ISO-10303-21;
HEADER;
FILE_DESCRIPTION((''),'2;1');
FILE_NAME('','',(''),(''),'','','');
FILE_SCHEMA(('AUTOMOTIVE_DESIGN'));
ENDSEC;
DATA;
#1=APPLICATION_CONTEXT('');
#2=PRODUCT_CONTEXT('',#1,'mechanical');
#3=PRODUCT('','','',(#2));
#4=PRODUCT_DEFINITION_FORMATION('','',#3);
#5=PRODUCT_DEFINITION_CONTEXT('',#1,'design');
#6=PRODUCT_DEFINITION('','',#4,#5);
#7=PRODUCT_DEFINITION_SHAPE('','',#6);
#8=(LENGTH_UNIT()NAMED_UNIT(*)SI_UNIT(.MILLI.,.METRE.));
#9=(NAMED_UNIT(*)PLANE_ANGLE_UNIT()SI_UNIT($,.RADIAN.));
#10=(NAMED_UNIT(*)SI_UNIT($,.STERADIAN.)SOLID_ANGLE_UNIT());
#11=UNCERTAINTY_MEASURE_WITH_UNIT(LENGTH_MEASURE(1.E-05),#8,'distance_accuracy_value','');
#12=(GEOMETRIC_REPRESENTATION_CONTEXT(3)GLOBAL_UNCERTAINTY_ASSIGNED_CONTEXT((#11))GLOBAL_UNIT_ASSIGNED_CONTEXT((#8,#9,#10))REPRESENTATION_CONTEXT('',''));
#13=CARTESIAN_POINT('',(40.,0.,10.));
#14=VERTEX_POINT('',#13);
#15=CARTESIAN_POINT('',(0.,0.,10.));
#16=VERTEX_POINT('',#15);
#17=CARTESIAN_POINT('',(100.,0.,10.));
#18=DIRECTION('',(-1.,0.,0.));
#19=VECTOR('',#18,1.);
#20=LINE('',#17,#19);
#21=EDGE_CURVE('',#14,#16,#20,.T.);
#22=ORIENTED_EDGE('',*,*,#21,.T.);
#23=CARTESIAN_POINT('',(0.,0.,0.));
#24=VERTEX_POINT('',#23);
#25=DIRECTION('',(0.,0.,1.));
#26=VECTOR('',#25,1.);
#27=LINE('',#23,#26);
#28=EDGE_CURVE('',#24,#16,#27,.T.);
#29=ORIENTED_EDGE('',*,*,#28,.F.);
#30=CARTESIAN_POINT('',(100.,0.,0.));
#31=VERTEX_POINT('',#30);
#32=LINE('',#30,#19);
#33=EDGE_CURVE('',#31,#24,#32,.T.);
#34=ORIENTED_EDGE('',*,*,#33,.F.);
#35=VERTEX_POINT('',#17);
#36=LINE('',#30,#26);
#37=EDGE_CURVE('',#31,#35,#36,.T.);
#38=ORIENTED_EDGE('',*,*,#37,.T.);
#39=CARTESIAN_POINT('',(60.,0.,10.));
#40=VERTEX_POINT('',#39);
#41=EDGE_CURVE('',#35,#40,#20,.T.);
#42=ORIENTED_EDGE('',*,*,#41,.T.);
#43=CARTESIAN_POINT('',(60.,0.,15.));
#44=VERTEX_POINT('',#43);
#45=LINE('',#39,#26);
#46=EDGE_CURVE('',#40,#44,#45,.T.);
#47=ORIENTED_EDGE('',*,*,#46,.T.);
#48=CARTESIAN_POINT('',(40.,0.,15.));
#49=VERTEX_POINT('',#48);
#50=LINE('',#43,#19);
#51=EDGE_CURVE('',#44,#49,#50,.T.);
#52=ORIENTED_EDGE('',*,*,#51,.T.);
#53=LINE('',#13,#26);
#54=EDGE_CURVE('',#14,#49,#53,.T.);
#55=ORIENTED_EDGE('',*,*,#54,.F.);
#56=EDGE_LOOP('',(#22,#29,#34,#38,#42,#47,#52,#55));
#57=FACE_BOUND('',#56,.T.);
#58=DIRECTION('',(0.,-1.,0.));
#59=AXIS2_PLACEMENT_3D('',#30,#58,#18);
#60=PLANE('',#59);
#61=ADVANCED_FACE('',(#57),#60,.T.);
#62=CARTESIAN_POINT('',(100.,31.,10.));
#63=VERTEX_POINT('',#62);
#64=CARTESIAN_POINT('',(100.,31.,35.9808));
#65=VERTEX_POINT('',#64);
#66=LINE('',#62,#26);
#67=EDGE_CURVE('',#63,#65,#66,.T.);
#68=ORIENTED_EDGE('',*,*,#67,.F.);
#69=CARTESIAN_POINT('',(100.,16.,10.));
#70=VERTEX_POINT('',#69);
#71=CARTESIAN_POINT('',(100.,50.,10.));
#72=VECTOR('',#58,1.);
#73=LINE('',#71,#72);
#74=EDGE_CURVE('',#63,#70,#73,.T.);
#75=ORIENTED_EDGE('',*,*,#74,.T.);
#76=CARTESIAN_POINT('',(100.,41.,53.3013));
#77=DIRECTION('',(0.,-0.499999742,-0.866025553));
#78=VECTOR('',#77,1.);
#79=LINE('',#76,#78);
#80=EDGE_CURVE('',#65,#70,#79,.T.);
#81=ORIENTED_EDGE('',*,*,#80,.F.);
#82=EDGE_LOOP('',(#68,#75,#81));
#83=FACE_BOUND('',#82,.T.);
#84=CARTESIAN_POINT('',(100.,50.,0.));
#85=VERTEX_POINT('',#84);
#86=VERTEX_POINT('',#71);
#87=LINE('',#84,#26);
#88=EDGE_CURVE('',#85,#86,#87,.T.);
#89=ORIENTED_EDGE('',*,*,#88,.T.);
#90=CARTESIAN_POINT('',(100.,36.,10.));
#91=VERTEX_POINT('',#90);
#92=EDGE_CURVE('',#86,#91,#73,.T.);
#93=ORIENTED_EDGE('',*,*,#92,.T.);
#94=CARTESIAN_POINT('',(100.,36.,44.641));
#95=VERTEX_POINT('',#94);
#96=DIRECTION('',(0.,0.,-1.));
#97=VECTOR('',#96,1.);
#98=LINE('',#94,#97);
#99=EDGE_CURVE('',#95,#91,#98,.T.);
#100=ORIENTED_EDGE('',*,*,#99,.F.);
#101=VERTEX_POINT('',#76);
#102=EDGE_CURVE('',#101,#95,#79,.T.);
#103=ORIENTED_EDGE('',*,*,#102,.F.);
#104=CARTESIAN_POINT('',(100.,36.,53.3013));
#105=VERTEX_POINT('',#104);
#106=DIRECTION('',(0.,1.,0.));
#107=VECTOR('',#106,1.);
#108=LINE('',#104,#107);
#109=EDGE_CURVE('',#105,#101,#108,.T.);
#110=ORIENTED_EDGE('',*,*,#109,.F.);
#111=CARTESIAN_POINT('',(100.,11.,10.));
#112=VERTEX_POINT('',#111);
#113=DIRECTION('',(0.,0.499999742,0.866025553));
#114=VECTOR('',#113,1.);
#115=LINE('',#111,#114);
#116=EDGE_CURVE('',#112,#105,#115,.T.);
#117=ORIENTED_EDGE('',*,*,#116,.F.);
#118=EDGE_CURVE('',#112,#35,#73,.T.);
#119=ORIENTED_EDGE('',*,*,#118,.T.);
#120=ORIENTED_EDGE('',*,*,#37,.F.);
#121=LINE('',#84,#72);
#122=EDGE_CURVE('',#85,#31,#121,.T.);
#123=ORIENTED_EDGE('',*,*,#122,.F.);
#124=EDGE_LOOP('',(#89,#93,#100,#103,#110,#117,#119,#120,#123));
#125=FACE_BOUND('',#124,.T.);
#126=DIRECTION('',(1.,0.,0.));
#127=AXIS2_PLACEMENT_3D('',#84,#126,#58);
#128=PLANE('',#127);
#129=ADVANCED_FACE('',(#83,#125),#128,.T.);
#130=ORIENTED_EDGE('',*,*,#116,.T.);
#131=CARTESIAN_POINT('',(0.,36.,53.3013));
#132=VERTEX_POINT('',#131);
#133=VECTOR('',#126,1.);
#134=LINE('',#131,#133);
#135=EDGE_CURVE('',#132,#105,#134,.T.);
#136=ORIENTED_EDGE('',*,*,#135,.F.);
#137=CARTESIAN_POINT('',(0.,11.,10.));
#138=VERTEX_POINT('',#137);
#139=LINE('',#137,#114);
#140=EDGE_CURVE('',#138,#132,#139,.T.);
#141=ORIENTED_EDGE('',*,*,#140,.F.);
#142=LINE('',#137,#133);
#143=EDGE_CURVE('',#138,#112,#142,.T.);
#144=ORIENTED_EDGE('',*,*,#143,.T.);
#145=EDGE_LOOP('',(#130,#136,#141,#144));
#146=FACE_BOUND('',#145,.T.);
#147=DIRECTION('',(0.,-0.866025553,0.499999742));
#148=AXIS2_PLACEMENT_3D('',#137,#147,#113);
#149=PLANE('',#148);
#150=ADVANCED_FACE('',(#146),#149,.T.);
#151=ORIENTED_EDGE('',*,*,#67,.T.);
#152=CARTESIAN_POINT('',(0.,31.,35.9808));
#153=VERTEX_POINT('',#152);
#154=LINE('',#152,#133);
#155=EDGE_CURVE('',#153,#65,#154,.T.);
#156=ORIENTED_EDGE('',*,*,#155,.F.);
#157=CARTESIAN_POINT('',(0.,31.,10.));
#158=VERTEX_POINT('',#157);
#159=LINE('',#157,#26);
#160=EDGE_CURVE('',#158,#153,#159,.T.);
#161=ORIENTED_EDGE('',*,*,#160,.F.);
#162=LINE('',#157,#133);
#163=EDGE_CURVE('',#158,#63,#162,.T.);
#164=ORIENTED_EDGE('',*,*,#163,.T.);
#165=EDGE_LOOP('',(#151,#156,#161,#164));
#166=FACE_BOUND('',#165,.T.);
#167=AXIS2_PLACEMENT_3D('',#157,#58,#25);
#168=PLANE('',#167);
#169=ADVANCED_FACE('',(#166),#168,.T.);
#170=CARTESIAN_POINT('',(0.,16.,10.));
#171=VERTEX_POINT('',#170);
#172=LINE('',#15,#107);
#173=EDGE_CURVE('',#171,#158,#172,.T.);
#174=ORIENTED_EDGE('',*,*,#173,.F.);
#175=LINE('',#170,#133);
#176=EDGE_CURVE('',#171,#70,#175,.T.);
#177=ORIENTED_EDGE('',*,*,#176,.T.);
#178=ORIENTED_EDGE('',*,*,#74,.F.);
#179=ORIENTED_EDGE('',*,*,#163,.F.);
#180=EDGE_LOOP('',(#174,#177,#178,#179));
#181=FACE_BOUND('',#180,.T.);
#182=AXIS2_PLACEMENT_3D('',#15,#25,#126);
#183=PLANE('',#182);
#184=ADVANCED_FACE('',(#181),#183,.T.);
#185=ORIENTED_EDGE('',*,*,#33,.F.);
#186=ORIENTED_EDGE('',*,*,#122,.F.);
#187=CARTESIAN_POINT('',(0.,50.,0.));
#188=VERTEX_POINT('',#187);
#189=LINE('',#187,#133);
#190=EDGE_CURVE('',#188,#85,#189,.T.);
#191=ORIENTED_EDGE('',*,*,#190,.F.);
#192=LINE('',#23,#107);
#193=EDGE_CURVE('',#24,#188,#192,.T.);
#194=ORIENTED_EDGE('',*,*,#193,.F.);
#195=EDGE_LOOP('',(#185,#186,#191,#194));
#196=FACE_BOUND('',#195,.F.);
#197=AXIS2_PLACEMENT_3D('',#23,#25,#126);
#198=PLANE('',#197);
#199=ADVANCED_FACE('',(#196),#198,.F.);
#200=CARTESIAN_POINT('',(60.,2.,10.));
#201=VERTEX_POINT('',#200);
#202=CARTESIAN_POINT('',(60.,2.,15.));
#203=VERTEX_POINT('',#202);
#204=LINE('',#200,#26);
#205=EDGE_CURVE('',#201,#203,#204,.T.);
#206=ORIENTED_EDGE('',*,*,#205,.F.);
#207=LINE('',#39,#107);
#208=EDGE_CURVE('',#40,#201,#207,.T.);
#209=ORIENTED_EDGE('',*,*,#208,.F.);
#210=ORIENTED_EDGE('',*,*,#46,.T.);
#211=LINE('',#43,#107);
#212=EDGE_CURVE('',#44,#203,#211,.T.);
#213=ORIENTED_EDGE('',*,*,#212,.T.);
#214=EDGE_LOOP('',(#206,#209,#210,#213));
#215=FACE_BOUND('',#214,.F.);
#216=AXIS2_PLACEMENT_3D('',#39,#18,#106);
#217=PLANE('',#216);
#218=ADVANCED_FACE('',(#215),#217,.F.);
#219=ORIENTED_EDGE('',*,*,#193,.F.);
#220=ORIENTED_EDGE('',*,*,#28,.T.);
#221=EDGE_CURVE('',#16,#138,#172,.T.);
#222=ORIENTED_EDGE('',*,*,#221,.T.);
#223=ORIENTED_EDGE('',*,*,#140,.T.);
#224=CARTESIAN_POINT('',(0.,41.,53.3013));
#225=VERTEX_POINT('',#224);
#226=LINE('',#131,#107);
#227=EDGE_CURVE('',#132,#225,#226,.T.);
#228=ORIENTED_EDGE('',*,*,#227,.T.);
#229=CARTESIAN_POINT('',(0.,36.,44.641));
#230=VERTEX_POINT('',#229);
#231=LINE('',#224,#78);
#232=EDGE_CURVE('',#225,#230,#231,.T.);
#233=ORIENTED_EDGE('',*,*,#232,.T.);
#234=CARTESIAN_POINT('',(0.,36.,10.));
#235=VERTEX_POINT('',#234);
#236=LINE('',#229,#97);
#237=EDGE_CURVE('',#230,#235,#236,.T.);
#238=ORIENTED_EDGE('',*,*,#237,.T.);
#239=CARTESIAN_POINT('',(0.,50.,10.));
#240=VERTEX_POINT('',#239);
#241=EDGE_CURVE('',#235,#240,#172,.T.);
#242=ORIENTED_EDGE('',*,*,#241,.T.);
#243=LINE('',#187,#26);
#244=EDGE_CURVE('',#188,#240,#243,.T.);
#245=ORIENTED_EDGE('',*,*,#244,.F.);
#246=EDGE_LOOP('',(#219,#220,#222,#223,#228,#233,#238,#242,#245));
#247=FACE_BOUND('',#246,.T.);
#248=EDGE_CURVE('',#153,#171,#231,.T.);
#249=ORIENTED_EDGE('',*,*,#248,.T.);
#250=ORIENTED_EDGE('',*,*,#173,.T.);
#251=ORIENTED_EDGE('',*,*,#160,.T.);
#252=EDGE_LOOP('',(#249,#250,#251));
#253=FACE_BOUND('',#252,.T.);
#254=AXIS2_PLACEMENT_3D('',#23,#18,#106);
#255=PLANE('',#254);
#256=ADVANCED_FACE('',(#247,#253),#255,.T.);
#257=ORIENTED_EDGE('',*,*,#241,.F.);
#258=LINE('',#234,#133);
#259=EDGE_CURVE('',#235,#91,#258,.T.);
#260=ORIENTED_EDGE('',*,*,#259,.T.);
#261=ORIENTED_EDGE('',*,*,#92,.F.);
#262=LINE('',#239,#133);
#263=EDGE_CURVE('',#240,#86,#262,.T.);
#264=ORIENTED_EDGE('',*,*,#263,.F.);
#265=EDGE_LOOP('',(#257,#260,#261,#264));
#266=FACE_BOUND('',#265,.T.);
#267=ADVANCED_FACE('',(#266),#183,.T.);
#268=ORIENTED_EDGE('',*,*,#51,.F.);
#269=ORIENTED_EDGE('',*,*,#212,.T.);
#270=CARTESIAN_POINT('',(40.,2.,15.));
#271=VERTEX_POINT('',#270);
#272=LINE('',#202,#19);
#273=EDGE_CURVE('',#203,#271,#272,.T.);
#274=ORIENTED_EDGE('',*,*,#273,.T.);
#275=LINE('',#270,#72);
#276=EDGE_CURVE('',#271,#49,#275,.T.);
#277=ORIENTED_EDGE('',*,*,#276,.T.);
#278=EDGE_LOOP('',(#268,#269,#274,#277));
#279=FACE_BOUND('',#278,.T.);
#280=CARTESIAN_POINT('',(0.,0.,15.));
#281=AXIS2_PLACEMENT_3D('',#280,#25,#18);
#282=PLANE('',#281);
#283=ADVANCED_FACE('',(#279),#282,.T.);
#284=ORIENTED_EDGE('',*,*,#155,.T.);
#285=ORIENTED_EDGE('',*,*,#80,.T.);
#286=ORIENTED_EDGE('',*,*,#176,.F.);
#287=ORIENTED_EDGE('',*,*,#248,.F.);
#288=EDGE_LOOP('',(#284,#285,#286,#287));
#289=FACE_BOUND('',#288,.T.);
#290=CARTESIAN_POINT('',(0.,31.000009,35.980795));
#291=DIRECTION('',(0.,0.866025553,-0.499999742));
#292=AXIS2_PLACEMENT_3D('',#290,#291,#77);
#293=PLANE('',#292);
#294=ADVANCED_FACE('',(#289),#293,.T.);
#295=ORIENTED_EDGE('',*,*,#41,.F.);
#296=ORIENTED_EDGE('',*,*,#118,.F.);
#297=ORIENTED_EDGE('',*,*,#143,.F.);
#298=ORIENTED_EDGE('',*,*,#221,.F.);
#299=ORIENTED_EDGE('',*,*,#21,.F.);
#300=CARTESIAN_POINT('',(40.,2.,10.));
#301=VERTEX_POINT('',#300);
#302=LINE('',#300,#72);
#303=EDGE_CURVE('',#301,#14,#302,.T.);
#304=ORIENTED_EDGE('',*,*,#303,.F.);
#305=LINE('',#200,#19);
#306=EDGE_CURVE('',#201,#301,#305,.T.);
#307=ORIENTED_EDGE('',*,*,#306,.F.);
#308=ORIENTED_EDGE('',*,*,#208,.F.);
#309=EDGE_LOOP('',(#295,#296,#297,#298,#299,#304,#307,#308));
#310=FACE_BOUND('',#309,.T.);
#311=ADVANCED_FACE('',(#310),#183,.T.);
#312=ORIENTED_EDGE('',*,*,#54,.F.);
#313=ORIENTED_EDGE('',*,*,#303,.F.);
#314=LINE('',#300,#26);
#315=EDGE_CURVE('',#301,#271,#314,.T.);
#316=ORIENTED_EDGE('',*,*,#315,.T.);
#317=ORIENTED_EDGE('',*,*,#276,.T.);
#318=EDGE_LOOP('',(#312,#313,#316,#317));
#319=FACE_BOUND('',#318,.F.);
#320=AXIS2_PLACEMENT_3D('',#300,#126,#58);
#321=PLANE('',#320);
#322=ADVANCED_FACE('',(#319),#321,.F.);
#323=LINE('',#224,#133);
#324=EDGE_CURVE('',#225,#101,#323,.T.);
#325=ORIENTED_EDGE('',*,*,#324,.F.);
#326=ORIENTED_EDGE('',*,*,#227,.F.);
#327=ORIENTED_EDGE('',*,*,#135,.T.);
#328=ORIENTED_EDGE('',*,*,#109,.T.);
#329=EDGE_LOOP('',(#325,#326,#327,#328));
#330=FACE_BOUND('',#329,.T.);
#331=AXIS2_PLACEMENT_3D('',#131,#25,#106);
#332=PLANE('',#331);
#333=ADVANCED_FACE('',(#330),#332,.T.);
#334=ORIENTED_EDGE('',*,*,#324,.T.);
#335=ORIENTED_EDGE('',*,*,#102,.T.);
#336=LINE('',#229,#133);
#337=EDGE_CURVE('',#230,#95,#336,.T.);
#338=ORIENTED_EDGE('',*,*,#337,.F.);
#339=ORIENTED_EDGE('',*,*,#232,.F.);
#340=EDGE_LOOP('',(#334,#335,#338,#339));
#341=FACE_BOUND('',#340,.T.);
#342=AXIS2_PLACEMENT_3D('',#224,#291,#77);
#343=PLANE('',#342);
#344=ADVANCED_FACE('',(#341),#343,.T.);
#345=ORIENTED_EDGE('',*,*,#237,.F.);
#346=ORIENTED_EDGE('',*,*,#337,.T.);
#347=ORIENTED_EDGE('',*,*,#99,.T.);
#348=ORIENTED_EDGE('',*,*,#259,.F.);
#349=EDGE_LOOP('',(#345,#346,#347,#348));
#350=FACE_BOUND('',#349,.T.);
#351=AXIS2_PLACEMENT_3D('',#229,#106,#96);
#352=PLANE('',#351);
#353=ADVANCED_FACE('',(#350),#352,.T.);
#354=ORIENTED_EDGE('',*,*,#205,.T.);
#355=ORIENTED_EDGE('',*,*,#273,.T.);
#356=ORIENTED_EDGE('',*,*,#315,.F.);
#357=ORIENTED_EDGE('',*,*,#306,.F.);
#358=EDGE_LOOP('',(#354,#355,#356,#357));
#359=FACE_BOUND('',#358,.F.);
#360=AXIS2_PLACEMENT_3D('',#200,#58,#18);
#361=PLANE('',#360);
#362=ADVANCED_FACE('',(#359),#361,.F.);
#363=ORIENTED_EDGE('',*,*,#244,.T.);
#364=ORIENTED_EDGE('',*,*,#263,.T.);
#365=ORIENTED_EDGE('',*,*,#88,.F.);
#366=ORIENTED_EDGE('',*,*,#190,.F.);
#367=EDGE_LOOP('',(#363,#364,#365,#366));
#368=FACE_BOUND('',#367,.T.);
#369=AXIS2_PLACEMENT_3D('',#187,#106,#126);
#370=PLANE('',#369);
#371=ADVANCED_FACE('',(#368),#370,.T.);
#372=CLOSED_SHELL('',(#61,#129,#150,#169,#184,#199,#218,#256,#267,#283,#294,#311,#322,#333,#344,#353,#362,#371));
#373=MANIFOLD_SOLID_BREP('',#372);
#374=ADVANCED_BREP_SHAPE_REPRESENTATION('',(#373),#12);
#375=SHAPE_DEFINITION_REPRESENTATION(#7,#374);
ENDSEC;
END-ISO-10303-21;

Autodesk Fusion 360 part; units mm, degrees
sketch "Sketch1" plane through (0, 0, 0) normal (0, 0, 1) x (1, 0, 0)
  line L0 (0, 0) -> (0, 50)
  line L1 (0, 50) -> (100, 50)
  line L2 (100, 50) -> (100, 0)
  line L3 (100, 0) -> (0, 0)
  dimension "d2" = 50
  dimension "d3" = 100
  dimension "d4" = 50
extrude "Extrude1" add sketch "Sketch1" along normal blind 10
sketch "Sketch2" plane through (0, 0, 0) normal (1, 0, 0) x (0, 1, 0)
  line L0 (0, 10) -> (11, 10)
  line L1 (11, 10) -> (36, 53.3013) construction
  line L2 (11, 10) -> (36, 53.3013)
  line L3 (36, 53.3013) -> (41, 53.3013)
  line L4 (41, 53.3013) -> (16, 10)
  line L5 (16, 10) -> (11, 10)
  line L6 (41, 53.3013) -> (36, 44.641)
  line L7 (36, 44.641) -> (36, 10)
  line L8 (36, 10) -> (31, 10)
  line L9 (31, 10) -> (31, 35.9808)
  dimension "d7" = 11
  dimension "d10" = 50
  dimension "d11" = 5
  dimension "d12" = 10
  dimension "d13" = 5
extrude "Extrude2" add sketch "Sketch2" along normal blind 100
sketch "Sketch3" plane through (0, 0, 10) normal (0, 0, 1) x (-1, 0, 0)
  line L0 (-100, -11) -> (0, -11)
  line L1 (0, -11) -> (0, 0)
  line L2 (0, 0) -> (-100, 0)
  line L3 (-100, 0) -> (-100, -11)
  line L4 (-50, 0) -> (-60, 0)
  line L5 (-50, 0) -> (-40, 0)
  line L6 (-60, 0) -> (-60, -2)
  line L7 (-60, -2) -> (-40, -2)
  line L8 (-40, -2) -> (-40, 0)
  dimension "d16" = 10
  dimension "d17" = 10
  dimension "d18" = 2
extrude "Extrude3" add sketch "Sketch3" along normal blind 5 contours L2 L4 L5 L6 L7 L8
